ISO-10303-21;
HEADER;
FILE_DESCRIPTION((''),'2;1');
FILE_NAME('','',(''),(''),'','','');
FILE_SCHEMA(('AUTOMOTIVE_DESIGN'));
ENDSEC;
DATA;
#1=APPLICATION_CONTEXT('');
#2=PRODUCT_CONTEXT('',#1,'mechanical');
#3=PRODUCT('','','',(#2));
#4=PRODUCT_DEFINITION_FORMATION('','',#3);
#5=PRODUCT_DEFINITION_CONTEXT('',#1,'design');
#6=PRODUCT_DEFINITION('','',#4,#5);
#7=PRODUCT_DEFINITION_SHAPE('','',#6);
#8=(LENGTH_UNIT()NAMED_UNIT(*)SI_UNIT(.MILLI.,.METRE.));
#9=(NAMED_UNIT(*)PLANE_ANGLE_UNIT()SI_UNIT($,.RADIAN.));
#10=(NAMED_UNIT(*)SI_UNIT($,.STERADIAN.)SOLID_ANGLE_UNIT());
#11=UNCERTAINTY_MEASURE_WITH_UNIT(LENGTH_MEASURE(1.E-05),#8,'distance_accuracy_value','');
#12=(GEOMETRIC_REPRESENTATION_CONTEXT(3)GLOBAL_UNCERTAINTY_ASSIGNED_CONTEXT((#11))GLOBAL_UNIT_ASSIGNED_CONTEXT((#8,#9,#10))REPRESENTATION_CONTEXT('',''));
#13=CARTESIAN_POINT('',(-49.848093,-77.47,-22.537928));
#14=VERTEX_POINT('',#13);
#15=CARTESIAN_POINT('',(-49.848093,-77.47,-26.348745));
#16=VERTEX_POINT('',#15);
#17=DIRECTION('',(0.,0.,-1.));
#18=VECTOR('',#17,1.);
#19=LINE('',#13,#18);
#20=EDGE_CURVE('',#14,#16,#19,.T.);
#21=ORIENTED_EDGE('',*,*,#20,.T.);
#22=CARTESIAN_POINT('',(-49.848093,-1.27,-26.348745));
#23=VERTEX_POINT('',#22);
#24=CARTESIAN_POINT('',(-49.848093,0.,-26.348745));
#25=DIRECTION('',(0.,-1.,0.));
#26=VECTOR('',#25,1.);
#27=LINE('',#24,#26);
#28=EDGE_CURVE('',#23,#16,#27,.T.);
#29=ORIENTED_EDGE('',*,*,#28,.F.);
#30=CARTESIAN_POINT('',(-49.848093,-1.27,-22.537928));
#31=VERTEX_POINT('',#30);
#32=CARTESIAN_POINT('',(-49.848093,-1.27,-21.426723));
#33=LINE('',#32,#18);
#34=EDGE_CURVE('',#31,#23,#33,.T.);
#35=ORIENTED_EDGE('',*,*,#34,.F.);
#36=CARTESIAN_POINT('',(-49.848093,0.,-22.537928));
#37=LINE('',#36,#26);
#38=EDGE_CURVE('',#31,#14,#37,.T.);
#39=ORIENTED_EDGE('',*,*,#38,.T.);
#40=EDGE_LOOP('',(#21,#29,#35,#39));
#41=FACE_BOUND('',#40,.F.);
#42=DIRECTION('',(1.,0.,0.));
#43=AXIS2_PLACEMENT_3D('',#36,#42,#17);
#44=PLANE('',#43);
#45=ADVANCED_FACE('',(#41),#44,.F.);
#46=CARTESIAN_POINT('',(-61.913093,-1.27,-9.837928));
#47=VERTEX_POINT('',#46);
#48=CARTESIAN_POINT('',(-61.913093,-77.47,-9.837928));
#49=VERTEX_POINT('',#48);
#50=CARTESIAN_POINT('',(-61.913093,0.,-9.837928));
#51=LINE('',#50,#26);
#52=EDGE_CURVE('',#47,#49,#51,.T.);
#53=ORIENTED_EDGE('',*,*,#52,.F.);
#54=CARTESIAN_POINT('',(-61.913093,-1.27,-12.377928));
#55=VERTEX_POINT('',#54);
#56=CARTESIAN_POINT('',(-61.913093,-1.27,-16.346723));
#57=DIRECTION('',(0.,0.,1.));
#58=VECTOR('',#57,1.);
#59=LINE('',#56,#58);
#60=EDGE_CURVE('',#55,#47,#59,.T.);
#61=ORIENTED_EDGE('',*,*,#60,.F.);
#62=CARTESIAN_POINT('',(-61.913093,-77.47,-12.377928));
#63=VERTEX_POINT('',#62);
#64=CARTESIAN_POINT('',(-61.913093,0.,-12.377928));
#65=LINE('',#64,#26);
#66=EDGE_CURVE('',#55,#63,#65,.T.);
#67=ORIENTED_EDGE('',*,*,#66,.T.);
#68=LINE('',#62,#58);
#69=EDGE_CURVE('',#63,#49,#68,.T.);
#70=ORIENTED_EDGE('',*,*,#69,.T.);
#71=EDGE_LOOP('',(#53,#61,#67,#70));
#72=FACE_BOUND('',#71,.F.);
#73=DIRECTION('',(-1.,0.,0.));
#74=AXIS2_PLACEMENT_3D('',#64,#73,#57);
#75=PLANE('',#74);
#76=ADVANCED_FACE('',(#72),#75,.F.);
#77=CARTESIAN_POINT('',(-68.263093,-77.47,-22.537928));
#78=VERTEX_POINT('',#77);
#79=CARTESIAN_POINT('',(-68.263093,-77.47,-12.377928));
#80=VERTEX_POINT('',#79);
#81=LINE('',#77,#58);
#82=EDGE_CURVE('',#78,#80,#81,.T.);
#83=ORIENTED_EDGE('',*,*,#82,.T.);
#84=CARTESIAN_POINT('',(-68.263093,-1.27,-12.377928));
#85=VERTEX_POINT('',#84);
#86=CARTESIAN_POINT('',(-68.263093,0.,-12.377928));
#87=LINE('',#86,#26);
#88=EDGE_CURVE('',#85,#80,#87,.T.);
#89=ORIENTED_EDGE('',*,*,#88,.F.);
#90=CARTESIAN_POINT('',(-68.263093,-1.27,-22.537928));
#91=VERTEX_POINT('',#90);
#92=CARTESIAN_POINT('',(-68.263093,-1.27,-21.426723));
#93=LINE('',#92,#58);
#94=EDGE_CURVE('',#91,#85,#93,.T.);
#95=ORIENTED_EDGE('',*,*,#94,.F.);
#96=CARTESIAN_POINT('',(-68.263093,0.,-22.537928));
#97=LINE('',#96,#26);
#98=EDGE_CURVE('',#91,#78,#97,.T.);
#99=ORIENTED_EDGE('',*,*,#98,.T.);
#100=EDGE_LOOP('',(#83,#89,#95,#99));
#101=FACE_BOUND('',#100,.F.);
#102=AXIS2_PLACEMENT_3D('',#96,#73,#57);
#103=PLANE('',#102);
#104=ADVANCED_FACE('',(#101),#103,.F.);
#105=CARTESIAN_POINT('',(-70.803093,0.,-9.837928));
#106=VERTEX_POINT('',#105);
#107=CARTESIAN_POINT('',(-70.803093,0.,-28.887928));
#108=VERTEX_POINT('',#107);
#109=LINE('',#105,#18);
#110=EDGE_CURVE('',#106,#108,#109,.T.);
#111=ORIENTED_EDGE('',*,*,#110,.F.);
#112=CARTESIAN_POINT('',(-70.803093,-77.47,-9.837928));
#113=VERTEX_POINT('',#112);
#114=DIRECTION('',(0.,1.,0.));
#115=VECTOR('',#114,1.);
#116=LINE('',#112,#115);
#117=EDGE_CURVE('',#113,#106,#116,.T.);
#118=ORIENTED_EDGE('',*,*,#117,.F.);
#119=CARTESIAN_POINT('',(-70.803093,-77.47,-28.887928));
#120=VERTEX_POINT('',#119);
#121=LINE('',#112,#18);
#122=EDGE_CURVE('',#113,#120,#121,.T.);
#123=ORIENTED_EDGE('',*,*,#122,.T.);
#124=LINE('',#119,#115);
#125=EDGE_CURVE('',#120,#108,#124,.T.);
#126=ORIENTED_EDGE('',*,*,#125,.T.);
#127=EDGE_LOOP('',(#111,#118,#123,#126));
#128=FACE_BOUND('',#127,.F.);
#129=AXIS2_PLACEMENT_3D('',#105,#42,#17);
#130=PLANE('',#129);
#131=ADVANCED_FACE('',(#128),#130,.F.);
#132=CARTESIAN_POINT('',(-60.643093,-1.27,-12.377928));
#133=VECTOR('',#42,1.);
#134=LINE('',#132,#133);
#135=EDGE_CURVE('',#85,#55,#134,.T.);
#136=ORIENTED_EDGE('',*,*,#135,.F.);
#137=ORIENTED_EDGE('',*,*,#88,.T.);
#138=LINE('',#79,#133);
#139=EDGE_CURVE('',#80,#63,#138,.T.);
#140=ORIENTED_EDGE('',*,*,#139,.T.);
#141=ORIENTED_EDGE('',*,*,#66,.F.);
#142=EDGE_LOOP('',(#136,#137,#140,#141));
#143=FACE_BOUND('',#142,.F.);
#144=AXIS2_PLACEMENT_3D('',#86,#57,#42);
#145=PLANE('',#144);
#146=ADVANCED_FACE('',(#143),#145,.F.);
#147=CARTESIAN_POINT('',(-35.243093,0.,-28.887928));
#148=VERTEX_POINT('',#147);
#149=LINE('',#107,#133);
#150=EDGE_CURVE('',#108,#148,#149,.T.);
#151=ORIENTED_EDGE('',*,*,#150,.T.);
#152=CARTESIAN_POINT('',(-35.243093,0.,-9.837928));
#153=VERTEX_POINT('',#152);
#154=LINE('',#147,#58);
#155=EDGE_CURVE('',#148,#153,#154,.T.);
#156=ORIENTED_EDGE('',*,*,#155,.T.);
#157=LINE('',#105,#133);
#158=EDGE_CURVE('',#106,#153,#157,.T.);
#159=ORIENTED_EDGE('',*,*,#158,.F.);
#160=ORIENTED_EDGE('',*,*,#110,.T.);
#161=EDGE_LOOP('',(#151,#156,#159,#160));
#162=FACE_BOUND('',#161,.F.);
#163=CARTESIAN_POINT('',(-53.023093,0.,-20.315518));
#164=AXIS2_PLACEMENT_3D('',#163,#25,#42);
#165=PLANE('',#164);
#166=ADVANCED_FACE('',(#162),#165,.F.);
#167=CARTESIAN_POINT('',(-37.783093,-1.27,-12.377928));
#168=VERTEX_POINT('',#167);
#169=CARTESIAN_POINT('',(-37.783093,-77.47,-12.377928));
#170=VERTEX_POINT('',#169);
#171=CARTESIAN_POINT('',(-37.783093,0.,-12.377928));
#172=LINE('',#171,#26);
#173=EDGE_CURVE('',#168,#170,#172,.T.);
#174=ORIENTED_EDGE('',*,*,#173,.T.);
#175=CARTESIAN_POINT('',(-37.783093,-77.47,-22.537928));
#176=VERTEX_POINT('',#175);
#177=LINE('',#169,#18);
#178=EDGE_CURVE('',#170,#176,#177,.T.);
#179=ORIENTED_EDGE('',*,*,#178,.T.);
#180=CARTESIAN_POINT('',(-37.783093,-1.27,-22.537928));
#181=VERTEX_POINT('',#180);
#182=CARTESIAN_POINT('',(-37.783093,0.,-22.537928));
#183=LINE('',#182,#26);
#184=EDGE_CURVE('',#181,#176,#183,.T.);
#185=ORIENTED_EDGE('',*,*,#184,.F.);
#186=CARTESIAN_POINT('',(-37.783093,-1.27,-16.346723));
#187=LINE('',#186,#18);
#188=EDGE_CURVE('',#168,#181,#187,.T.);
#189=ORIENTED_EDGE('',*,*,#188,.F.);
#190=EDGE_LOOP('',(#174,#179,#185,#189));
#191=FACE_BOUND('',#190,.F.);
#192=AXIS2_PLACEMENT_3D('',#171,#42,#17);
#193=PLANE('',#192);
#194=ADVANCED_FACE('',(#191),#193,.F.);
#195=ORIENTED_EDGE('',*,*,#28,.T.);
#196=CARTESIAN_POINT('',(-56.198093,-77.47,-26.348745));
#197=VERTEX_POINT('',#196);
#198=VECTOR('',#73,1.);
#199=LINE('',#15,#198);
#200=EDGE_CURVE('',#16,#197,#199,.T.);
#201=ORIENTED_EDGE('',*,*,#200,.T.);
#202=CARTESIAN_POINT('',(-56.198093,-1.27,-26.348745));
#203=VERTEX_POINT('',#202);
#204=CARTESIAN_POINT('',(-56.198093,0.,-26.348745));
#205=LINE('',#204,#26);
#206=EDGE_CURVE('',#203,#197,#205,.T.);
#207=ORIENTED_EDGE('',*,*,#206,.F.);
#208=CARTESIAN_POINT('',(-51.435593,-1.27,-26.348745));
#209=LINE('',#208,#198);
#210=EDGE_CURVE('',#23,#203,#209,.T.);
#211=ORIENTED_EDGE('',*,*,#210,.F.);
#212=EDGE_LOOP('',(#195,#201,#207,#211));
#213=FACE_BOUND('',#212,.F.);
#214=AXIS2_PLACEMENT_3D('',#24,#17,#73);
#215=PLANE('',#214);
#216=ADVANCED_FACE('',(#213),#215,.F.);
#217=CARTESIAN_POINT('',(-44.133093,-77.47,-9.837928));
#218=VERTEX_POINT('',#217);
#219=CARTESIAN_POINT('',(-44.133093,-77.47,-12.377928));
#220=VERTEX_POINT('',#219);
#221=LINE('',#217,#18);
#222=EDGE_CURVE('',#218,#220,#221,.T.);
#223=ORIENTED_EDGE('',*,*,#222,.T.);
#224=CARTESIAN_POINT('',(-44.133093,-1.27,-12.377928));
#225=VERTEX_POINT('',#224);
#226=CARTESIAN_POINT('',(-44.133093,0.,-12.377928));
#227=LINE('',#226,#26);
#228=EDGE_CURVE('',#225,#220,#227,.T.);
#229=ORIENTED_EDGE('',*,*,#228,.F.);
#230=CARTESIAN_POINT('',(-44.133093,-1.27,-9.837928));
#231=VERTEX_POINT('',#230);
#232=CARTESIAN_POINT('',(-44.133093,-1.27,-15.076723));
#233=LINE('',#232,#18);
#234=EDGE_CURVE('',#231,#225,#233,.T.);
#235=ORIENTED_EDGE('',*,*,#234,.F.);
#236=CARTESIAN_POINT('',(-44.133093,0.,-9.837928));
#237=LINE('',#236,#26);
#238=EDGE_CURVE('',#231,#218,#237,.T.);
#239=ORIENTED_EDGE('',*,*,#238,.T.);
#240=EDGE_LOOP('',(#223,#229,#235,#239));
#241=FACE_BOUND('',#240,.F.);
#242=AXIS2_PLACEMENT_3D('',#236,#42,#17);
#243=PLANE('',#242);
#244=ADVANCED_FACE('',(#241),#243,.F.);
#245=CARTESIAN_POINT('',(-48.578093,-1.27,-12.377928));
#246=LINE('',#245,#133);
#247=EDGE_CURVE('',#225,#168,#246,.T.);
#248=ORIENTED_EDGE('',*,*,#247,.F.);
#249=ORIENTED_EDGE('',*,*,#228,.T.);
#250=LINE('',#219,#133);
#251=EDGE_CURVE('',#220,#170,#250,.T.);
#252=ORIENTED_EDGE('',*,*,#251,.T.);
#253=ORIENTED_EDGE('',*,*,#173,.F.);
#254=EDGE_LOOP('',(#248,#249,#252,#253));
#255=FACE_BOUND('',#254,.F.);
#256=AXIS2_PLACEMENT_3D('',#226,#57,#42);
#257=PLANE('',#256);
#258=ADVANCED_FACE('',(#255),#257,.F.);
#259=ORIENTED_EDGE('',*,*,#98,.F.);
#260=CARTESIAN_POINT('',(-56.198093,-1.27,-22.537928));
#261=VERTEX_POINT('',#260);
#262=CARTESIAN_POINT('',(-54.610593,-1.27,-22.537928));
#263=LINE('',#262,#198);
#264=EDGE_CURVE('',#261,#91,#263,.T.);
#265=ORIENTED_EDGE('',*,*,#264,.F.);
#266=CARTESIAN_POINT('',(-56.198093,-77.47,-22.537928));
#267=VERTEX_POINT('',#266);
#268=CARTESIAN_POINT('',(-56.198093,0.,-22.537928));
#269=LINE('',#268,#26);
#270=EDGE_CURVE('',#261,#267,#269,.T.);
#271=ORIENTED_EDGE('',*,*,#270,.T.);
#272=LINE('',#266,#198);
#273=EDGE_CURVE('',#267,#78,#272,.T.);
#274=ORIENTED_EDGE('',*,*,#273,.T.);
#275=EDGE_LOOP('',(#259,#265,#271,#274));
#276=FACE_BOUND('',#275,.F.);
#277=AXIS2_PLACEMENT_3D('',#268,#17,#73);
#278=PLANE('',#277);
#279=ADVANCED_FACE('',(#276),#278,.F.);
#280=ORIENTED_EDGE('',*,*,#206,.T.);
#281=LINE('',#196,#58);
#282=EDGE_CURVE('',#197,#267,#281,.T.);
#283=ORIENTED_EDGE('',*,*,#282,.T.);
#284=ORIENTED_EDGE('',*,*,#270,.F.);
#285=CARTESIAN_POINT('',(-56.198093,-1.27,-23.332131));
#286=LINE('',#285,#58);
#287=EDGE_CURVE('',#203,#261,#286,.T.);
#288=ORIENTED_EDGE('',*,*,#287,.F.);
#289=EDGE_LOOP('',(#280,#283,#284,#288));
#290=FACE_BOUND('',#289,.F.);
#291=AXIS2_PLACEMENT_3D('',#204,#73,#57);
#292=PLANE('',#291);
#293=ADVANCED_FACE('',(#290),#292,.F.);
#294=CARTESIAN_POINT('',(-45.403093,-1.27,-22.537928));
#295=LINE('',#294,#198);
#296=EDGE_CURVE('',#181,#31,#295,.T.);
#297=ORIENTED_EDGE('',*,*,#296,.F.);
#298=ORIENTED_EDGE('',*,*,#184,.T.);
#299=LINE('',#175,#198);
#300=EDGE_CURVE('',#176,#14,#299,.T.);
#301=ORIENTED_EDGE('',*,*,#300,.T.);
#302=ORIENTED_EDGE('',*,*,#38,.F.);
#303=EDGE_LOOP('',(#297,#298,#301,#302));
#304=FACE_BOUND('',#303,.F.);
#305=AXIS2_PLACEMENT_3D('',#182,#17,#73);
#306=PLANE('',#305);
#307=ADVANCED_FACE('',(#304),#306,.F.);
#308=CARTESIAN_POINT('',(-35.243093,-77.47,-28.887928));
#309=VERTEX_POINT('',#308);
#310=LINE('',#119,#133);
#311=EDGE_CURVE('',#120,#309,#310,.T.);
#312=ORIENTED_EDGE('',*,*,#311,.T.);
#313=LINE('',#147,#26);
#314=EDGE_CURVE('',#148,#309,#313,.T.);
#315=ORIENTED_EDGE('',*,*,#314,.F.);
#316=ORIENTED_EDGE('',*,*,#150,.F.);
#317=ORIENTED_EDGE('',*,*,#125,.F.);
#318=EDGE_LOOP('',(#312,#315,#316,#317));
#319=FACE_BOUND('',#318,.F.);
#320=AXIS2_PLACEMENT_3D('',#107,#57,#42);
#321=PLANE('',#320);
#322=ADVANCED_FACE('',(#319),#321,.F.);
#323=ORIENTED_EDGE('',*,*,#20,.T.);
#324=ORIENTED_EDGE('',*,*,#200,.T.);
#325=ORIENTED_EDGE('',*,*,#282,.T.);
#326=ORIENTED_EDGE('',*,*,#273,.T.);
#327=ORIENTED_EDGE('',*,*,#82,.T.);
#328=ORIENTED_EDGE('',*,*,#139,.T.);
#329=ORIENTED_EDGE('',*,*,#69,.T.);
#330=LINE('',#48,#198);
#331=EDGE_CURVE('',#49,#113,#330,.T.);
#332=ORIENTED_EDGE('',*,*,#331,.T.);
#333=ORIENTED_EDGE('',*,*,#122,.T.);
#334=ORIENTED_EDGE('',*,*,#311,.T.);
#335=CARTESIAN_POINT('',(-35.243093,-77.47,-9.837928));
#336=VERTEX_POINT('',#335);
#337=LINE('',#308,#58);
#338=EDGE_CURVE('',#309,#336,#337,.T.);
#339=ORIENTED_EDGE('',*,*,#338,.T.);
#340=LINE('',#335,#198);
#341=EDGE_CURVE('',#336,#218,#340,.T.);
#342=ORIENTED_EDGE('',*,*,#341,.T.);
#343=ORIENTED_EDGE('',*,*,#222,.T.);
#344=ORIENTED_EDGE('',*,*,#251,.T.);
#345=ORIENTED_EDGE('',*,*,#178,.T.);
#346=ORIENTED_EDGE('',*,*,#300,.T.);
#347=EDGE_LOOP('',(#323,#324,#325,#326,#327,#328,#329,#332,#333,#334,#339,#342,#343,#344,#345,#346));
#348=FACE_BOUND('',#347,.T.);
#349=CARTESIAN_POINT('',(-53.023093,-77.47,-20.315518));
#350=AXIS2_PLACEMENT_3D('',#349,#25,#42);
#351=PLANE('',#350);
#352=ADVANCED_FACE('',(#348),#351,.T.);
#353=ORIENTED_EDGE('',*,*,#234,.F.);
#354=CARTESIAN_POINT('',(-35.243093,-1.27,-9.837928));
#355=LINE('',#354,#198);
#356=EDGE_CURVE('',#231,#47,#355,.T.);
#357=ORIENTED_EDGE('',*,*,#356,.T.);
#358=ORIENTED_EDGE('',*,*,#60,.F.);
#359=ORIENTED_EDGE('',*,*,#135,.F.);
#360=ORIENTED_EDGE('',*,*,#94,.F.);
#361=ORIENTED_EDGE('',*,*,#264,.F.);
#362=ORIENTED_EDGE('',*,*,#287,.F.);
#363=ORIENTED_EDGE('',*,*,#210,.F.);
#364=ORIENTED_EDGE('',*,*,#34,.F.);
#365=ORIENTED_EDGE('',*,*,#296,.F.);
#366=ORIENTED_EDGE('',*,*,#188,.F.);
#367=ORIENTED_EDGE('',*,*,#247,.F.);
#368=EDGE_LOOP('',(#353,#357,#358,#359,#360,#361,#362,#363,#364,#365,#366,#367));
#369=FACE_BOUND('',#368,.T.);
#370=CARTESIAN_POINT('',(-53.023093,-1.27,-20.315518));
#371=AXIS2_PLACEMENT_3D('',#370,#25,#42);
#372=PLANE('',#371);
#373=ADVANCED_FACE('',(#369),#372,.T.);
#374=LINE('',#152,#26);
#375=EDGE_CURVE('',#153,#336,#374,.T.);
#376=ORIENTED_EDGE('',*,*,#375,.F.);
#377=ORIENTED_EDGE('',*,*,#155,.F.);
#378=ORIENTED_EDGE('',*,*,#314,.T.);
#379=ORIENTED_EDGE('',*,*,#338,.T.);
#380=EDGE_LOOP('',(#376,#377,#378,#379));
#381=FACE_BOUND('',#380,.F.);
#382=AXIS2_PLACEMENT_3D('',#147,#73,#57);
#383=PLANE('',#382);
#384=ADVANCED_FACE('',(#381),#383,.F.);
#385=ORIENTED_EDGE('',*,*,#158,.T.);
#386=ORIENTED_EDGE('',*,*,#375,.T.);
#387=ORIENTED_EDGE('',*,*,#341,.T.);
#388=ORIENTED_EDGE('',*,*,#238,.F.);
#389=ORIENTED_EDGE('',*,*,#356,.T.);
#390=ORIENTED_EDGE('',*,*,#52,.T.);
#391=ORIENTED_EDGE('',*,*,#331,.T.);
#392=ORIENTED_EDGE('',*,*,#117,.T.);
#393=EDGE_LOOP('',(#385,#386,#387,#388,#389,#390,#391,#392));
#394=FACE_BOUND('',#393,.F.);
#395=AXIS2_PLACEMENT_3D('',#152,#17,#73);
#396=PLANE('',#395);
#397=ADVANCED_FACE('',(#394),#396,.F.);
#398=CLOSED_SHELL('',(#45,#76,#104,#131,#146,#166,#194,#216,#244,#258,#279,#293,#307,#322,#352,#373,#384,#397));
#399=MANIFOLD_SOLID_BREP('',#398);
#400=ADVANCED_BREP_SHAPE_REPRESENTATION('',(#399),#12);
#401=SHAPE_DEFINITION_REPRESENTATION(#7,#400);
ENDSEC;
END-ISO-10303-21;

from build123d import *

# Parameters (mm, degrees)
F1_DEPTH = 77.47
F2_DEPTH = 1.27


with BuildPart() as f1:
    # F0 (on Front) → F1 (new body)
    with BuildSketch(Plane.XZ):
        Polygon((-70.803093, -22.537928), (-70.803093, -28.887928), (-35.243093, -28.887928), (-35.243093, -22.537928), (-35.243093, -9.837928), (-44.133093, -9.837928), (-44.133093, -12.377928), (-37.783093, -12.377928), (-37.783093, -22.537928), (-49.848093, -22.537928), (-49.848093, -26.348745), (-56.198093, -26.348745), (-56.198093, -22.537928), (-68.263093, -22.537928), (-68.263093, -12.377928), (-61.913093, -12.377928), (-61.913093, -9.837928), (-70.803093, -9.837928), align=None)
    extrude(amount=F1_DEPTH)

    # F0 (on Front) → F2 (join)
    with BuildSketch(Plane.XZ):
        Polygon((-70.803093, -22.537928), (-70.803093, -28.887928), (-35.243093, -28.887928), (-35.243093, -22.537928), (-35.243093, -9.837928), (-44.133093, -9.837928), (-44.133093, -12.377928), (-37.783093, -12.377928), (-37.783093, -22.537928), (-49.848093, -22.537928), (-49.848093, -26.348745), (-56.198093, -26.348745), (-56.198093, -22.537928), (-68.263093, -22.537928), (-68.263093, -12.377928), (-61.913093, -12.377928), (-61.913093, -9.837928), (-70.803093, -9.837928), align=None)
        Polygon((-44.133093, -9.837928), (-61.913093, -9.837928), (-61.913093, -12.377928), (-68.263093, -12.377928), (-68.263093, -22.537928), (-56.198093, -22.537928), (-56.198093, -26.348745), (-49.848093, -26.348745), (-49.848093, -22.537928), (-37.783093, -22.537928), (-37.783093, -12.377928), (-44.133093, -12.377928), align=None)
    extrude(amount=F2_DEPTH)


solid = f1.part
